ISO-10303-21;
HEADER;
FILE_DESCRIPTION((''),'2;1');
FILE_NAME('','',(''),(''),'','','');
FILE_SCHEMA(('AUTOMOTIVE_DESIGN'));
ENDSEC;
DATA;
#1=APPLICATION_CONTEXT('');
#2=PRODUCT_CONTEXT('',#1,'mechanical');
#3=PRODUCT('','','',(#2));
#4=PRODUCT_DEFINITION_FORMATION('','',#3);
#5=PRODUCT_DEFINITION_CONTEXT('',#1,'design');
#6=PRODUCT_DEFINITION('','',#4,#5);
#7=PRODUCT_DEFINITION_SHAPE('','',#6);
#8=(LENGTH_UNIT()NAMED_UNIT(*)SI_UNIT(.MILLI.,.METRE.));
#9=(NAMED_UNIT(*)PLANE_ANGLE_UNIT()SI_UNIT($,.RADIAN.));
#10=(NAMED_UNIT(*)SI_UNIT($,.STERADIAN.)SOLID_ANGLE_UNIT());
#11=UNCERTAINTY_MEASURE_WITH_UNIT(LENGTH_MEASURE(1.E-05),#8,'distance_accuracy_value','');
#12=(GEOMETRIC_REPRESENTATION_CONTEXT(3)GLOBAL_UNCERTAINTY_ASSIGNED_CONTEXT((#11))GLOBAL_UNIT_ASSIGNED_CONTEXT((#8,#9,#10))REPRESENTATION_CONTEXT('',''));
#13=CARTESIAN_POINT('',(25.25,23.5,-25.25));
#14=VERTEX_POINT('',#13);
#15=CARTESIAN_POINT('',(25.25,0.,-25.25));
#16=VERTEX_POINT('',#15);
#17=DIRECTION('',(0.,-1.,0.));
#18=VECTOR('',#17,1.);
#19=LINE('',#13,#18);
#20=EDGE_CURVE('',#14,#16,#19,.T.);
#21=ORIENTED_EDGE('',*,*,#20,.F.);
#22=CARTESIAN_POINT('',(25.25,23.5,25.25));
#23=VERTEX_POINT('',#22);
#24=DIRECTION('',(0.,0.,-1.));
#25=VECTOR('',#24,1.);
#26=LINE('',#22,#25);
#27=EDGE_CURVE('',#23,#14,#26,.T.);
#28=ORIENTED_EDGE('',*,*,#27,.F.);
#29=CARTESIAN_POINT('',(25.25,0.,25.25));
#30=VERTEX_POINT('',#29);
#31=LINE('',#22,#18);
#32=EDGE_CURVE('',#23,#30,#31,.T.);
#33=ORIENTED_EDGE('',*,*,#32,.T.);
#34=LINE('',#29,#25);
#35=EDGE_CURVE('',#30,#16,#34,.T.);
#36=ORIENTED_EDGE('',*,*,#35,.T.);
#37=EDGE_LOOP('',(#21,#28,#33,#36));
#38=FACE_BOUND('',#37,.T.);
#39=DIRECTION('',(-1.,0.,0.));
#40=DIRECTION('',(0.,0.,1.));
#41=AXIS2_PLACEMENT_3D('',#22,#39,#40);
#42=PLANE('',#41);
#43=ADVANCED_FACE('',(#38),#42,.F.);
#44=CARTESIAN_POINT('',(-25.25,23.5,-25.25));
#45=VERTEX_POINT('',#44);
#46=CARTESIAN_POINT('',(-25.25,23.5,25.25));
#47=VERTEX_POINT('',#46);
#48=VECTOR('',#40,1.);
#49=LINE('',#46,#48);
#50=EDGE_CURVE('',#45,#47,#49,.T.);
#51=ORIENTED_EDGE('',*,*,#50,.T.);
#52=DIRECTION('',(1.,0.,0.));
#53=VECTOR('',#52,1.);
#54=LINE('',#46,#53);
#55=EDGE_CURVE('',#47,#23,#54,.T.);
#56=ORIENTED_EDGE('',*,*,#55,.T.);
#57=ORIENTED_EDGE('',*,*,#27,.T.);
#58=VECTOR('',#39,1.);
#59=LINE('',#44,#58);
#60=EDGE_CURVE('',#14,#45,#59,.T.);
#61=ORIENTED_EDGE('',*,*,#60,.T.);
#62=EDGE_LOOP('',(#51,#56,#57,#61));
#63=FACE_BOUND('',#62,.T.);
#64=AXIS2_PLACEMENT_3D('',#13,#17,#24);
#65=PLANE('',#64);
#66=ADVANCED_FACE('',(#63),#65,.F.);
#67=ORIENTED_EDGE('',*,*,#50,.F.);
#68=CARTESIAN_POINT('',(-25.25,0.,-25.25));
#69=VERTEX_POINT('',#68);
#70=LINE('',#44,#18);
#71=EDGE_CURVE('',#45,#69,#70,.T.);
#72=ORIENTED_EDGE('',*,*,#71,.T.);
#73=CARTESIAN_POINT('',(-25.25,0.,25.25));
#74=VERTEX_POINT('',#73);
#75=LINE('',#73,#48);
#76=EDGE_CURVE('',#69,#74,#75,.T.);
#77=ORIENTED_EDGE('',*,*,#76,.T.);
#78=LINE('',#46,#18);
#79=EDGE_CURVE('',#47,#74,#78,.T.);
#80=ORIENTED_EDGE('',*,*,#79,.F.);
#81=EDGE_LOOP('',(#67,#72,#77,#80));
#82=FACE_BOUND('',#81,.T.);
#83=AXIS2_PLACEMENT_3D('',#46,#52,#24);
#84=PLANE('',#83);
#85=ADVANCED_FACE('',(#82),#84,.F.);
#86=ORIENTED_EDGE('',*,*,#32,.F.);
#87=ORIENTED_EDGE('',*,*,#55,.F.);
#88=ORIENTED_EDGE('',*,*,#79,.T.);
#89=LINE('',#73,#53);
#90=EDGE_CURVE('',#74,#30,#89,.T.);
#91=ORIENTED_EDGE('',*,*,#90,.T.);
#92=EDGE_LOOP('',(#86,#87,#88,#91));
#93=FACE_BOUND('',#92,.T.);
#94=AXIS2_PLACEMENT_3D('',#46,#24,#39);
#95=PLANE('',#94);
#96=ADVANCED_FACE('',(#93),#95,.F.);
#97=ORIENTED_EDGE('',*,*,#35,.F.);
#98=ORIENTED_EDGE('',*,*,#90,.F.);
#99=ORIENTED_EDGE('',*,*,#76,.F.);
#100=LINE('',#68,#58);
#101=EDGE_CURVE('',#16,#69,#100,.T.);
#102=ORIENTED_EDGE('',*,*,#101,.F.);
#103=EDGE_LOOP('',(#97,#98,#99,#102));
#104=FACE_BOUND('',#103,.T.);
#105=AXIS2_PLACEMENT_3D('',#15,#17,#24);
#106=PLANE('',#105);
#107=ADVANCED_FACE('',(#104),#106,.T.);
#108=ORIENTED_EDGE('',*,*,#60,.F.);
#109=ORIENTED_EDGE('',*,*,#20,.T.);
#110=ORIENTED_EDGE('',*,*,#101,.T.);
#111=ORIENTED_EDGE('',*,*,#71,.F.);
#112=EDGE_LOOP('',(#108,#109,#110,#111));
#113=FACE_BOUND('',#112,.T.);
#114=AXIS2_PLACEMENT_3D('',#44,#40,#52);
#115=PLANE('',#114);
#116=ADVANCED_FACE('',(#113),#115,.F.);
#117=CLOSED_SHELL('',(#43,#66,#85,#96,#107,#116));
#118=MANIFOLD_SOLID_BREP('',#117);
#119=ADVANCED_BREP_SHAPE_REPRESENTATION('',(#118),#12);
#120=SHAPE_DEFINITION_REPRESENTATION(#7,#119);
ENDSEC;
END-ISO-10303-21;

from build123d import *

# Parameters (mm, degrees)
SKETCH1_W           = 50.5
SKETCH1_H           = 50.5
BOSS_EXTRUDE1_DEPTH = 23.5


with BuildPart() as part:
    # Sketch1 → Boss-Extrude1 (new body)
    with BuildSketch(Plane(origin=(0, 0, 0), x_dir=(1, 0, 0), z_dir=(0, 1, 0))):
        Rectangle(SKETCH1_W, SKETCH1_H)
    extrude(amount=BOSS_EXTRUDE1_DEPTH)


solid = part.part
